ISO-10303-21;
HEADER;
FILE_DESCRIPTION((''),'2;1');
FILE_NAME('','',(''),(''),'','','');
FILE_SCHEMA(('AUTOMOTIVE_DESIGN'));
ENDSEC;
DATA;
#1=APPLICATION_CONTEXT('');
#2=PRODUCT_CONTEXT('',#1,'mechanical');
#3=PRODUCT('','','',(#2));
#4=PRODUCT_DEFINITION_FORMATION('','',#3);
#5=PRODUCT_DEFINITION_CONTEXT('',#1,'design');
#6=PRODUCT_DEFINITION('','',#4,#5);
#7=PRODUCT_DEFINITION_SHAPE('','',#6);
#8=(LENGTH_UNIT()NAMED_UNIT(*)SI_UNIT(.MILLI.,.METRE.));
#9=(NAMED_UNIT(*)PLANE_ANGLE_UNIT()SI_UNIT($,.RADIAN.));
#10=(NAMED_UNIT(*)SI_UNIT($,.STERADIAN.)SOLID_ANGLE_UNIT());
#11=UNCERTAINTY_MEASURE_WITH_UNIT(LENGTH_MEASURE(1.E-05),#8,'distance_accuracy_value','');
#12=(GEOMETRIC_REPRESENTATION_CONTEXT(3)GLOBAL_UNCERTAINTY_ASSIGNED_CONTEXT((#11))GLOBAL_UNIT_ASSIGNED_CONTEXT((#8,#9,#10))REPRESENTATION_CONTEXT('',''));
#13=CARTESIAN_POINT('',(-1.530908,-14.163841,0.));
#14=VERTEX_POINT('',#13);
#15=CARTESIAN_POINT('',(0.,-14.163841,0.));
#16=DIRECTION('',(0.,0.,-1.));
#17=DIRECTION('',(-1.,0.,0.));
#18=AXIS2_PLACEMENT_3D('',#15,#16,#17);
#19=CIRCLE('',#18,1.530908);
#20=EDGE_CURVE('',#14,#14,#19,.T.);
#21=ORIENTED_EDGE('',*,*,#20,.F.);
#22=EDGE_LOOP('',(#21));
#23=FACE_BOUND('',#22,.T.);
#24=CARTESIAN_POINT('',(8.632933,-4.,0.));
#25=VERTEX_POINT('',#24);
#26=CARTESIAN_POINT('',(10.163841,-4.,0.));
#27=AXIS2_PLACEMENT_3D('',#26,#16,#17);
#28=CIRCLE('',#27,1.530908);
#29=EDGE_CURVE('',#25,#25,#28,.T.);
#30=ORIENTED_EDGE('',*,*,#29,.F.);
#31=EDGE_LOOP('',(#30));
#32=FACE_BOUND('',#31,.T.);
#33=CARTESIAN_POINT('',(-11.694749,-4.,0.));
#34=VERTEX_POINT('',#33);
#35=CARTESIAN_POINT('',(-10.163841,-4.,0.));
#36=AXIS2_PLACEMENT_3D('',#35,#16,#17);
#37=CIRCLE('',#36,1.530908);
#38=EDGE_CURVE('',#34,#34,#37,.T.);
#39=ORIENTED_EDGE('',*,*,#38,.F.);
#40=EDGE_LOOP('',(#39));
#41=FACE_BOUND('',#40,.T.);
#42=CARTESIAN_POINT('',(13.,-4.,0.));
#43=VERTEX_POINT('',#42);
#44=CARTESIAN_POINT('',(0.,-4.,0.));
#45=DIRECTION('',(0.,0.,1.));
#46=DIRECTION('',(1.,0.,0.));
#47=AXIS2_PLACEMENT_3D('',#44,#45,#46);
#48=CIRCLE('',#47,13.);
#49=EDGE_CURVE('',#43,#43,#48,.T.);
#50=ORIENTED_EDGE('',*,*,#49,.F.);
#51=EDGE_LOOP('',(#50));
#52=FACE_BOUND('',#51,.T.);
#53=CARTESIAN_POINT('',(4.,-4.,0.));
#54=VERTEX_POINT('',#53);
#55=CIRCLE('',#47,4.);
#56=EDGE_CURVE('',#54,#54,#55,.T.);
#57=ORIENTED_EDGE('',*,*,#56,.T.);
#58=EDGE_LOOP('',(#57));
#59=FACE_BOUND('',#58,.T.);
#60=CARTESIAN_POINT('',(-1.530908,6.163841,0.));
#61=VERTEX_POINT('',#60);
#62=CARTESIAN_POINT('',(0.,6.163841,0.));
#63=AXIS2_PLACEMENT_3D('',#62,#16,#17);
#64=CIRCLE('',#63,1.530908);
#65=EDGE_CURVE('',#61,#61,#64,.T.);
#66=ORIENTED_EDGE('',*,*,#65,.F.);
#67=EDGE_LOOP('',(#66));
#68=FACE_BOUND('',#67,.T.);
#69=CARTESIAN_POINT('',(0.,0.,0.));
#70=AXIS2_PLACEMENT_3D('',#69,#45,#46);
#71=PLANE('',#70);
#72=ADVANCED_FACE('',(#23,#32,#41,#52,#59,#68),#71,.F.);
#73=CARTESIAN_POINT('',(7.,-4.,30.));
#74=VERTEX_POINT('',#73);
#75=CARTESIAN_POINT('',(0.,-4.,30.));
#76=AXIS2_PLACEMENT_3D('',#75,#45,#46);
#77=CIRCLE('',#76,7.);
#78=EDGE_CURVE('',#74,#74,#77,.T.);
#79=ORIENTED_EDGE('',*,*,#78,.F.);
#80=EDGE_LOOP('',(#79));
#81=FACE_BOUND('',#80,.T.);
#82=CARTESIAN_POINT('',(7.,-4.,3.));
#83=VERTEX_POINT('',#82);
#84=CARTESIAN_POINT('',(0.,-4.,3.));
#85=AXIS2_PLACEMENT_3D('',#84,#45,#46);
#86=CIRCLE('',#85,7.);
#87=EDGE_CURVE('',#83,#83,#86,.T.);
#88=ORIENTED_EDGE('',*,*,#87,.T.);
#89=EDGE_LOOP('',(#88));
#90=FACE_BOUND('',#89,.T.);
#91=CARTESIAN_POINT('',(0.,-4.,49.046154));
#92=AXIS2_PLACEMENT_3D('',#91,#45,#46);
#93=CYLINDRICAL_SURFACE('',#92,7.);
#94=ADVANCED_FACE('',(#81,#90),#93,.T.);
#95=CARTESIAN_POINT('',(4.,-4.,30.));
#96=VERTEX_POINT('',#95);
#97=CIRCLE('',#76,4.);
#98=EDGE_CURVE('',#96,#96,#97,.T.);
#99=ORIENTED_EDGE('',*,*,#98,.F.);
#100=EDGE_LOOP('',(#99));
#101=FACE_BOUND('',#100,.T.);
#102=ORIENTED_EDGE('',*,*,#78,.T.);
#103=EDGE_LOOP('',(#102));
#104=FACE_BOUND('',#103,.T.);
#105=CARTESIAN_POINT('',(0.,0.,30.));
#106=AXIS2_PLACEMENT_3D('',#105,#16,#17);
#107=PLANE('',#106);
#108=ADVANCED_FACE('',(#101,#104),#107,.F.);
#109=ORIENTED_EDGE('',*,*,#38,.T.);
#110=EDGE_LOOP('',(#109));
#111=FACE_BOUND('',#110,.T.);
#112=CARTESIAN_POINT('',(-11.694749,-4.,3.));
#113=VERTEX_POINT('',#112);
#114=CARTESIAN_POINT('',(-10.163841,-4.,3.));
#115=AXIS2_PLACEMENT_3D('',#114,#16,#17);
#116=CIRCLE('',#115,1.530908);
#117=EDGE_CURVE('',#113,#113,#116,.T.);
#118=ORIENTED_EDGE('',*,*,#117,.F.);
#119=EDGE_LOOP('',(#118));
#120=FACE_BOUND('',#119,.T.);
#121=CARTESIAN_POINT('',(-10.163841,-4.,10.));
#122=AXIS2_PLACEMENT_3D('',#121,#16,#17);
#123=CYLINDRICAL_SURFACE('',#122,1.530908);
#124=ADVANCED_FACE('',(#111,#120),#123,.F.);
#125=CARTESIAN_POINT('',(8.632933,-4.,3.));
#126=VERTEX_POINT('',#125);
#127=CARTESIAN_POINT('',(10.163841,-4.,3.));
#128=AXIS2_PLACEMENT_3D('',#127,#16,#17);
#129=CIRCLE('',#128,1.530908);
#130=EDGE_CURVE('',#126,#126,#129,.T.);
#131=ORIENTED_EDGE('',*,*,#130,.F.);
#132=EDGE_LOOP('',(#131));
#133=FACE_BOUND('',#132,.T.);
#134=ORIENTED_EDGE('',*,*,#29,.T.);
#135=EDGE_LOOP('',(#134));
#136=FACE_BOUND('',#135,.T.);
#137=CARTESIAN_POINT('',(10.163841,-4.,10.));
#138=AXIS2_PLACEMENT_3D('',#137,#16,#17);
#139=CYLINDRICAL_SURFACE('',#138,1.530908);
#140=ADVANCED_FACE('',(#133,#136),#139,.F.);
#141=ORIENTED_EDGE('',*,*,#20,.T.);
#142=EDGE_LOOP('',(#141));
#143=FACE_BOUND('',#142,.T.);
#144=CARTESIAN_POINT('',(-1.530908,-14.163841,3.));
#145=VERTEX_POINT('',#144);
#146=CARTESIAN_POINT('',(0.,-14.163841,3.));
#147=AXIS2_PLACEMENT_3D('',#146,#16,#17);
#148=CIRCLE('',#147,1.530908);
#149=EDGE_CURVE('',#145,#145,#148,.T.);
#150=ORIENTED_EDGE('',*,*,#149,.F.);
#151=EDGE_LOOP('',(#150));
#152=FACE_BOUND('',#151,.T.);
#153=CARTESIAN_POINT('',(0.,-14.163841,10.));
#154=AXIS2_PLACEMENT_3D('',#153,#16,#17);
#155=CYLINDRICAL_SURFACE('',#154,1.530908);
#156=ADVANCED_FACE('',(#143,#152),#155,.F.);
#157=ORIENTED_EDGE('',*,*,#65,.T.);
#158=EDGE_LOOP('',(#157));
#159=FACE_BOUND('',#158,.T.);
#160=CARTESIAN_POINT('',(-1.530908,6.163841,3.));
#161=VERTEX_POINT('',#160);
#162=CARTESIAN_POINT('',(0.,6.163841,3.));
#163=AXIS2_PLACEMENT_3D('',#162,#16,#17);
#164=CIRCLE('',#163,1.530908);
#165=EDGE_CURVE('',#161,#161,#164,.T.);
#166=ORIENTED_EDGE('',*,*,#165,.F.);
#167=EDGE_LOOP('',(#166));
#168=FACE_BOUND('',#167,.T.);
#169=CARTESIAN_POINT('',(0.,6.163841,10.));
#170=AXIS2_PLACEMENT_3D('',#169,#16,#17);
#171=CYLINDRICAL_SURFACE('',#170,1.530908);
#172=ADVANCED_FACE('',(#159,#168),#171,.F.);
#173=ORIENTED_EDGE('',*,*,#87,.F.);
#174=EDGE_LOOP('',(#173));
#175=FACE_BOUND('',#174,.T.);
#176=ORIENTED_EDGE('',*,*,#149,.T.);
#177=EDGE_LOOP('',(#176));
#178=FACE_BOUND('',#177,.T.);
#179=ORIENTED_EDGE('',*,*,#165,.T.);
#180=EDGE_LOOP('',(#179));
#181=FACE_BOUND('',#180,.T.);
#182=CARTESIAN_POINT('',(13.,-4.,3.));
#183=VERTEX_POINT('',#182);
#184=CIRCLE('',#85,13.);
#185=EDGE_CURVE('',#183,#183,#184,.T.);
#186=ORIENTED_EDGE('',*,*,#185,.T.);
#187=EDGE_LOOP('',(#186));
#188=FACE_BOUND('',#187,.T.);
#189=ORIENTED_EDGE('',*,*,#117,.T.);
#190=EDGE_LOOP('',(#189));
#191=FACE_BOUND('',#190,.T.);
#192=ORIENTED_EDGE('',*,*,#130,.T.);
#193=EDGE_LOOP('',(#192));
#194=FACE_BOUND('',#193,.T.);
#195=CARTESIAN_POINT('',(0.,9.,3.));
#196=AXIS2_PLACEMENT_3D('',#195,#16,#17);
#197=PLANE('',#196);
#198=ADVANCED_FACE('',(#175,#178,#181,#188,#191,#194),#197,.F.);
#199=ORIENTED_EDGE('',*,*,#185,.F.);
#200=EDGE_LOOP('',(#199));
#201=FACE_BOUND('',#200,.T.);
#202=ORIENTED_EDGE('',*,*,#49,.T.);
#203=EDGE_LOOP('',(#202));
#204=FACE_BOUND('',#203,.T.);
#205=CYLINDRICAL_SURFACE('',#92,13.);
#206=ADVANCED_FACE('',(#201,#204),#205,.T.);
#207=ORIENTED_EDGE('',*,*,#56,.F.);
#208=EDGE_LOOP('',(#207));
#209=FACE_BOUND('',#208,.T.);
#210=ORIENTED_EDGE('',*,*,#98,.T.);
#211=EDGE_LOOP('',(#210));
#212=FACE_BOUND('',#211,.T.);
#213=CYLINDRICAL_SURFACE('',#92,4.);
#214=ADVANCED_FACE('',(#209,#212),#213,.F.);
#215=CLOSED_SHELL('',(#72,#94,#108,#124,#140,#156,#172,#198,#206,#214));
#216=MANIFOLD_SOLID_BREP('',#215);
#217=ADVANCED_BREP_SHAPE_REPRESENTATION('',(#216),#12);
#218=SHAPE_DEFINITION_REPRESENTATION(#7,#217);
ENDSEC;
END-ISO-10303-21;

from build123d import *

# Parameters (mm, degrees)
CROQUIS2_R            = 1.530907885
CORTAR_EXTRUIR1_DEPTH = 10


with BuildPart() as part:
    # Croquis1 → Revolución1 (revolve)
    with BuildSketch(Plane(origin=(0, 0, 0), x_dir=(0, 0, -1), z_dir=(1, 0, 0)), mode=Mode.PRIVATE) as revoluci_n1_sk:
        Polygon((0, 0), (0, 9), (-3, 9), (-3, 3), (-30, 3), (-30, 0), align=None)
    revolve(revoluci_n1_sk.sketch.rotate(Axis((0, -4, 49.046153846), (0, 0, -1)), 90), axis=Axis((0, -4, 49.046153846), (0, 0, -1)))

    # Croquis2 → Cortar-Extruir1 (cut)
    with BuildSketch(Plane(origin=(0, 0, 0), x_dir=(-1, 0, 0), z_dir=(0, 0, -1))):
        with Locations((0, 6.163841236)):
            Circle(CROQUIS2_R)
        with Locations((10.163841236, -4)):
            Circle(CROQUIS2_R)
        with Locations((0, -14.163841236)):
            Circle(CROQUIS2_R)
        with Locations((-10.163841236, -4)):
            Circle(CROQUIS2_R)
    extrude(amount=-CORTAR_EXTRUIR1_DEPTH, mode=Mode.SUBTRACT)


solid = part.part
